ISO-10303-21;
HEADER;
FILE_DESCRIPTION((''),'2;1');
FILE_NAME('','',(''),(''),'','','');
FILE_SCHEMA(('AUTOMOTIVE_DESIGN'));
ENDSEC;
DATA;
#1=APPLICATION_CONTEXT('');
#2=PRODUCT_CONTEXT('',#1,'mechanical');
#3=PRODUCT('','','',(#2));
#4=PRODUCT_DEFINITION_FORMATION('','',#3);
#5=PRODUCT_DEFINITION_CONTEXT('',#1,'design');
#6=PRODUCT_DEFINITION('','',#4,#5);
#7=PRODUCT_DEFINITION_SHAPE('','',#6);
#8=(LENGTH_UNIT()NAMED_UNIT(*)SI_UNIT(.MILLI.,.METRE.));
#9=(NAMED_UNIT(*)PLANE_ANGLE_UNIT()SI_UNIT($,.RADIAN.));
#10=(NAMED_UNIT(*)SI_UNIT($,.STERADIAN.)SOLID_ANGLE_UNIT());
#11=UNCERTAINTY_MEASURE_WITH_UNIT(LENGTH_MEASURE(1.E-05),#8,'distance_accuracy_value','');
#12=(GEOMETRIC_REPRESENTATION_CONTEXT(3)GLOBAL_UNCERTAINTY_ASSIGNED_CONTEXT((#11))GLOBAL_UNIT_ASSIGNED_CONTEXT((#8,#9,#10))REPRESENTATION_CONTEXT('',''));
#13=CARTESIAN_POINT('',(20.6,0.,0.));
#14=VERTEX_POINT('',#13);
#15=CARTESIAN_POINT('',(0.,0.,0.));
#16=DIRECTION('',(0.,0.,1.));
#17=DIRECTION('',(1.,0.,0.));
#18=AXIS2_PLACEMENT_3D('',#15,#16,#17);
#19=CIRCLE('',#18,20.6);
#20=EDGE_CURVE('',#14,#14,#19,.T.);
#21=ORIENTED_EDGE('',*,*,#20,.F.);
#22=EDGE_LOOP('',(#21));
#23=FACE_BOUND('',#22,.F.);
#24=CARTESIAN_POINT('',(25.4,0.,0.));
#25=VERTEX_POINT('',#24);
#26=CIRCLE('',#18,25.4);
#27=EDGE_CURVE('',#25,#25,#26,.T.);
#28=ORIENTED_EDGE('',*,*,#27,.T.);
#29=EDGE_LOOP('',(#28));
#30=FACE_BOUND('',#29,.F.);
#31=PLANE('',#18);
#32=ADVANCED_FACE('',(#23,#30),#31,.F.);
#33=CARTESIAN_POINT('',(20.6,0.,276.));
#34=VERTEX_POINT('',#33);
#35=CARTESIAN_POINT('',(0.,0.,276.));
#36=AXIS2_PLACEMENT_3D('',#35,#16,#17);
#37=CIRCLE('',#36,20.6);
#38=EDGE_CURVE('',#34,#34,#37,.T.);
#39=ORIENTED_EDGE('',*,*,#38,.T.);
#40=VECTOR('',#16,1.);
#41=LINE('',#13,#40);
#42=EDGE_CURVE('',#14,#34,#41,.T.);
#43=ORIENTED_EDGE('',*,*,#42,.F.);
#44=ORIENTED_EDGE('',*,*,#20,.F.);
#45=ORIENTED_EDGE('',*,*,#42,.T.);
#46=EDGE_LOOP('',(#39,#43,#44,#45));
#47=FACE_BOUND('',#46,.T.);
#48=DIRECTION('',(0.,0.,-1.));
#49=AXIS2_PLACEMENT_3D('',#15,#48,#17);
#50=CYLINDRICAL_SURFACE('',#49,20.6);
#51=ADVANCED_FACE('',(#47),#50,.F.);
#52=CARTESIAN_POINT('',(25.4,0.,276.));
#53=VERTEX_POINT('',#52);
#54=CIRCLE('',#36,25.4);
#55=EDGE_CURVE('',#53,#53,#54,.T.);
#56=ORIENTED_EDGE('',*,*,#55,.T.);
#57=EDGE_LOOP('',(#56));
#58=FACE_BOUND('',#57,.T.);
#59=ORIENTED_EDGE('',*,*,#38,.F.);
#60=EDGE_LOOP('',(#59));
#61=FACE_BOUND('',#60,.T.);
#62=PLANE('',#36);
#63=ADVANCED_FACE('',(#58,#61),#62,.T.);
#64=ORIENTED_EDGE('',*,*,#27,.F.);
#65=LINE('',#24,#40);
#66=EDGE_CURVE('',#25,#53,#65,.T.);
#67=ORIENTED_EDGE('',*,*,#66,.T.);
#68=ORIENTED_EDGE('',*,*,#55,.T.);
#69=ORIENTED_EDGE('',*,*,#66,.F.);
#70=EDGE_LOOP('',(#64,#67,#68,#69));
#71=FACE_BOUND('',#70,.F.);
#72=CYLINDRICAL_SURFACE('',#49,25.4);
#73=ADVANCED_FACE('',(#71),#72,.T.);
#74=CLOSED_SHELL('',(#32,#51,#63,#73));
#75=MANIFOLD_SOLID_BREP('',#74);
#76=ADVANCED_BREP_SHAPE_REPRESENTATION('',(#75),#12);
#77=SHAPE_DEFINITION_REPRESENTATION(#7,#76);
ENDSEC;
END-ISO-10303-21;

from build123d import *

# Parameters (mm, degrees)
SKETCH_R   = 25.4
SKETCH_R_2 = 20.6
PAD_DEPTH  = 276


with BuildPart() as part:
    # Sketch → Pad (new body)
    with BuildSketch(Plane.XY):
        Circle(SKETCH_R)
        Circle(SKETCH_R_2, mode=Mode.SUBTRACT)
    extrude(amount=PAD_DEPTH)


solid = part.part
